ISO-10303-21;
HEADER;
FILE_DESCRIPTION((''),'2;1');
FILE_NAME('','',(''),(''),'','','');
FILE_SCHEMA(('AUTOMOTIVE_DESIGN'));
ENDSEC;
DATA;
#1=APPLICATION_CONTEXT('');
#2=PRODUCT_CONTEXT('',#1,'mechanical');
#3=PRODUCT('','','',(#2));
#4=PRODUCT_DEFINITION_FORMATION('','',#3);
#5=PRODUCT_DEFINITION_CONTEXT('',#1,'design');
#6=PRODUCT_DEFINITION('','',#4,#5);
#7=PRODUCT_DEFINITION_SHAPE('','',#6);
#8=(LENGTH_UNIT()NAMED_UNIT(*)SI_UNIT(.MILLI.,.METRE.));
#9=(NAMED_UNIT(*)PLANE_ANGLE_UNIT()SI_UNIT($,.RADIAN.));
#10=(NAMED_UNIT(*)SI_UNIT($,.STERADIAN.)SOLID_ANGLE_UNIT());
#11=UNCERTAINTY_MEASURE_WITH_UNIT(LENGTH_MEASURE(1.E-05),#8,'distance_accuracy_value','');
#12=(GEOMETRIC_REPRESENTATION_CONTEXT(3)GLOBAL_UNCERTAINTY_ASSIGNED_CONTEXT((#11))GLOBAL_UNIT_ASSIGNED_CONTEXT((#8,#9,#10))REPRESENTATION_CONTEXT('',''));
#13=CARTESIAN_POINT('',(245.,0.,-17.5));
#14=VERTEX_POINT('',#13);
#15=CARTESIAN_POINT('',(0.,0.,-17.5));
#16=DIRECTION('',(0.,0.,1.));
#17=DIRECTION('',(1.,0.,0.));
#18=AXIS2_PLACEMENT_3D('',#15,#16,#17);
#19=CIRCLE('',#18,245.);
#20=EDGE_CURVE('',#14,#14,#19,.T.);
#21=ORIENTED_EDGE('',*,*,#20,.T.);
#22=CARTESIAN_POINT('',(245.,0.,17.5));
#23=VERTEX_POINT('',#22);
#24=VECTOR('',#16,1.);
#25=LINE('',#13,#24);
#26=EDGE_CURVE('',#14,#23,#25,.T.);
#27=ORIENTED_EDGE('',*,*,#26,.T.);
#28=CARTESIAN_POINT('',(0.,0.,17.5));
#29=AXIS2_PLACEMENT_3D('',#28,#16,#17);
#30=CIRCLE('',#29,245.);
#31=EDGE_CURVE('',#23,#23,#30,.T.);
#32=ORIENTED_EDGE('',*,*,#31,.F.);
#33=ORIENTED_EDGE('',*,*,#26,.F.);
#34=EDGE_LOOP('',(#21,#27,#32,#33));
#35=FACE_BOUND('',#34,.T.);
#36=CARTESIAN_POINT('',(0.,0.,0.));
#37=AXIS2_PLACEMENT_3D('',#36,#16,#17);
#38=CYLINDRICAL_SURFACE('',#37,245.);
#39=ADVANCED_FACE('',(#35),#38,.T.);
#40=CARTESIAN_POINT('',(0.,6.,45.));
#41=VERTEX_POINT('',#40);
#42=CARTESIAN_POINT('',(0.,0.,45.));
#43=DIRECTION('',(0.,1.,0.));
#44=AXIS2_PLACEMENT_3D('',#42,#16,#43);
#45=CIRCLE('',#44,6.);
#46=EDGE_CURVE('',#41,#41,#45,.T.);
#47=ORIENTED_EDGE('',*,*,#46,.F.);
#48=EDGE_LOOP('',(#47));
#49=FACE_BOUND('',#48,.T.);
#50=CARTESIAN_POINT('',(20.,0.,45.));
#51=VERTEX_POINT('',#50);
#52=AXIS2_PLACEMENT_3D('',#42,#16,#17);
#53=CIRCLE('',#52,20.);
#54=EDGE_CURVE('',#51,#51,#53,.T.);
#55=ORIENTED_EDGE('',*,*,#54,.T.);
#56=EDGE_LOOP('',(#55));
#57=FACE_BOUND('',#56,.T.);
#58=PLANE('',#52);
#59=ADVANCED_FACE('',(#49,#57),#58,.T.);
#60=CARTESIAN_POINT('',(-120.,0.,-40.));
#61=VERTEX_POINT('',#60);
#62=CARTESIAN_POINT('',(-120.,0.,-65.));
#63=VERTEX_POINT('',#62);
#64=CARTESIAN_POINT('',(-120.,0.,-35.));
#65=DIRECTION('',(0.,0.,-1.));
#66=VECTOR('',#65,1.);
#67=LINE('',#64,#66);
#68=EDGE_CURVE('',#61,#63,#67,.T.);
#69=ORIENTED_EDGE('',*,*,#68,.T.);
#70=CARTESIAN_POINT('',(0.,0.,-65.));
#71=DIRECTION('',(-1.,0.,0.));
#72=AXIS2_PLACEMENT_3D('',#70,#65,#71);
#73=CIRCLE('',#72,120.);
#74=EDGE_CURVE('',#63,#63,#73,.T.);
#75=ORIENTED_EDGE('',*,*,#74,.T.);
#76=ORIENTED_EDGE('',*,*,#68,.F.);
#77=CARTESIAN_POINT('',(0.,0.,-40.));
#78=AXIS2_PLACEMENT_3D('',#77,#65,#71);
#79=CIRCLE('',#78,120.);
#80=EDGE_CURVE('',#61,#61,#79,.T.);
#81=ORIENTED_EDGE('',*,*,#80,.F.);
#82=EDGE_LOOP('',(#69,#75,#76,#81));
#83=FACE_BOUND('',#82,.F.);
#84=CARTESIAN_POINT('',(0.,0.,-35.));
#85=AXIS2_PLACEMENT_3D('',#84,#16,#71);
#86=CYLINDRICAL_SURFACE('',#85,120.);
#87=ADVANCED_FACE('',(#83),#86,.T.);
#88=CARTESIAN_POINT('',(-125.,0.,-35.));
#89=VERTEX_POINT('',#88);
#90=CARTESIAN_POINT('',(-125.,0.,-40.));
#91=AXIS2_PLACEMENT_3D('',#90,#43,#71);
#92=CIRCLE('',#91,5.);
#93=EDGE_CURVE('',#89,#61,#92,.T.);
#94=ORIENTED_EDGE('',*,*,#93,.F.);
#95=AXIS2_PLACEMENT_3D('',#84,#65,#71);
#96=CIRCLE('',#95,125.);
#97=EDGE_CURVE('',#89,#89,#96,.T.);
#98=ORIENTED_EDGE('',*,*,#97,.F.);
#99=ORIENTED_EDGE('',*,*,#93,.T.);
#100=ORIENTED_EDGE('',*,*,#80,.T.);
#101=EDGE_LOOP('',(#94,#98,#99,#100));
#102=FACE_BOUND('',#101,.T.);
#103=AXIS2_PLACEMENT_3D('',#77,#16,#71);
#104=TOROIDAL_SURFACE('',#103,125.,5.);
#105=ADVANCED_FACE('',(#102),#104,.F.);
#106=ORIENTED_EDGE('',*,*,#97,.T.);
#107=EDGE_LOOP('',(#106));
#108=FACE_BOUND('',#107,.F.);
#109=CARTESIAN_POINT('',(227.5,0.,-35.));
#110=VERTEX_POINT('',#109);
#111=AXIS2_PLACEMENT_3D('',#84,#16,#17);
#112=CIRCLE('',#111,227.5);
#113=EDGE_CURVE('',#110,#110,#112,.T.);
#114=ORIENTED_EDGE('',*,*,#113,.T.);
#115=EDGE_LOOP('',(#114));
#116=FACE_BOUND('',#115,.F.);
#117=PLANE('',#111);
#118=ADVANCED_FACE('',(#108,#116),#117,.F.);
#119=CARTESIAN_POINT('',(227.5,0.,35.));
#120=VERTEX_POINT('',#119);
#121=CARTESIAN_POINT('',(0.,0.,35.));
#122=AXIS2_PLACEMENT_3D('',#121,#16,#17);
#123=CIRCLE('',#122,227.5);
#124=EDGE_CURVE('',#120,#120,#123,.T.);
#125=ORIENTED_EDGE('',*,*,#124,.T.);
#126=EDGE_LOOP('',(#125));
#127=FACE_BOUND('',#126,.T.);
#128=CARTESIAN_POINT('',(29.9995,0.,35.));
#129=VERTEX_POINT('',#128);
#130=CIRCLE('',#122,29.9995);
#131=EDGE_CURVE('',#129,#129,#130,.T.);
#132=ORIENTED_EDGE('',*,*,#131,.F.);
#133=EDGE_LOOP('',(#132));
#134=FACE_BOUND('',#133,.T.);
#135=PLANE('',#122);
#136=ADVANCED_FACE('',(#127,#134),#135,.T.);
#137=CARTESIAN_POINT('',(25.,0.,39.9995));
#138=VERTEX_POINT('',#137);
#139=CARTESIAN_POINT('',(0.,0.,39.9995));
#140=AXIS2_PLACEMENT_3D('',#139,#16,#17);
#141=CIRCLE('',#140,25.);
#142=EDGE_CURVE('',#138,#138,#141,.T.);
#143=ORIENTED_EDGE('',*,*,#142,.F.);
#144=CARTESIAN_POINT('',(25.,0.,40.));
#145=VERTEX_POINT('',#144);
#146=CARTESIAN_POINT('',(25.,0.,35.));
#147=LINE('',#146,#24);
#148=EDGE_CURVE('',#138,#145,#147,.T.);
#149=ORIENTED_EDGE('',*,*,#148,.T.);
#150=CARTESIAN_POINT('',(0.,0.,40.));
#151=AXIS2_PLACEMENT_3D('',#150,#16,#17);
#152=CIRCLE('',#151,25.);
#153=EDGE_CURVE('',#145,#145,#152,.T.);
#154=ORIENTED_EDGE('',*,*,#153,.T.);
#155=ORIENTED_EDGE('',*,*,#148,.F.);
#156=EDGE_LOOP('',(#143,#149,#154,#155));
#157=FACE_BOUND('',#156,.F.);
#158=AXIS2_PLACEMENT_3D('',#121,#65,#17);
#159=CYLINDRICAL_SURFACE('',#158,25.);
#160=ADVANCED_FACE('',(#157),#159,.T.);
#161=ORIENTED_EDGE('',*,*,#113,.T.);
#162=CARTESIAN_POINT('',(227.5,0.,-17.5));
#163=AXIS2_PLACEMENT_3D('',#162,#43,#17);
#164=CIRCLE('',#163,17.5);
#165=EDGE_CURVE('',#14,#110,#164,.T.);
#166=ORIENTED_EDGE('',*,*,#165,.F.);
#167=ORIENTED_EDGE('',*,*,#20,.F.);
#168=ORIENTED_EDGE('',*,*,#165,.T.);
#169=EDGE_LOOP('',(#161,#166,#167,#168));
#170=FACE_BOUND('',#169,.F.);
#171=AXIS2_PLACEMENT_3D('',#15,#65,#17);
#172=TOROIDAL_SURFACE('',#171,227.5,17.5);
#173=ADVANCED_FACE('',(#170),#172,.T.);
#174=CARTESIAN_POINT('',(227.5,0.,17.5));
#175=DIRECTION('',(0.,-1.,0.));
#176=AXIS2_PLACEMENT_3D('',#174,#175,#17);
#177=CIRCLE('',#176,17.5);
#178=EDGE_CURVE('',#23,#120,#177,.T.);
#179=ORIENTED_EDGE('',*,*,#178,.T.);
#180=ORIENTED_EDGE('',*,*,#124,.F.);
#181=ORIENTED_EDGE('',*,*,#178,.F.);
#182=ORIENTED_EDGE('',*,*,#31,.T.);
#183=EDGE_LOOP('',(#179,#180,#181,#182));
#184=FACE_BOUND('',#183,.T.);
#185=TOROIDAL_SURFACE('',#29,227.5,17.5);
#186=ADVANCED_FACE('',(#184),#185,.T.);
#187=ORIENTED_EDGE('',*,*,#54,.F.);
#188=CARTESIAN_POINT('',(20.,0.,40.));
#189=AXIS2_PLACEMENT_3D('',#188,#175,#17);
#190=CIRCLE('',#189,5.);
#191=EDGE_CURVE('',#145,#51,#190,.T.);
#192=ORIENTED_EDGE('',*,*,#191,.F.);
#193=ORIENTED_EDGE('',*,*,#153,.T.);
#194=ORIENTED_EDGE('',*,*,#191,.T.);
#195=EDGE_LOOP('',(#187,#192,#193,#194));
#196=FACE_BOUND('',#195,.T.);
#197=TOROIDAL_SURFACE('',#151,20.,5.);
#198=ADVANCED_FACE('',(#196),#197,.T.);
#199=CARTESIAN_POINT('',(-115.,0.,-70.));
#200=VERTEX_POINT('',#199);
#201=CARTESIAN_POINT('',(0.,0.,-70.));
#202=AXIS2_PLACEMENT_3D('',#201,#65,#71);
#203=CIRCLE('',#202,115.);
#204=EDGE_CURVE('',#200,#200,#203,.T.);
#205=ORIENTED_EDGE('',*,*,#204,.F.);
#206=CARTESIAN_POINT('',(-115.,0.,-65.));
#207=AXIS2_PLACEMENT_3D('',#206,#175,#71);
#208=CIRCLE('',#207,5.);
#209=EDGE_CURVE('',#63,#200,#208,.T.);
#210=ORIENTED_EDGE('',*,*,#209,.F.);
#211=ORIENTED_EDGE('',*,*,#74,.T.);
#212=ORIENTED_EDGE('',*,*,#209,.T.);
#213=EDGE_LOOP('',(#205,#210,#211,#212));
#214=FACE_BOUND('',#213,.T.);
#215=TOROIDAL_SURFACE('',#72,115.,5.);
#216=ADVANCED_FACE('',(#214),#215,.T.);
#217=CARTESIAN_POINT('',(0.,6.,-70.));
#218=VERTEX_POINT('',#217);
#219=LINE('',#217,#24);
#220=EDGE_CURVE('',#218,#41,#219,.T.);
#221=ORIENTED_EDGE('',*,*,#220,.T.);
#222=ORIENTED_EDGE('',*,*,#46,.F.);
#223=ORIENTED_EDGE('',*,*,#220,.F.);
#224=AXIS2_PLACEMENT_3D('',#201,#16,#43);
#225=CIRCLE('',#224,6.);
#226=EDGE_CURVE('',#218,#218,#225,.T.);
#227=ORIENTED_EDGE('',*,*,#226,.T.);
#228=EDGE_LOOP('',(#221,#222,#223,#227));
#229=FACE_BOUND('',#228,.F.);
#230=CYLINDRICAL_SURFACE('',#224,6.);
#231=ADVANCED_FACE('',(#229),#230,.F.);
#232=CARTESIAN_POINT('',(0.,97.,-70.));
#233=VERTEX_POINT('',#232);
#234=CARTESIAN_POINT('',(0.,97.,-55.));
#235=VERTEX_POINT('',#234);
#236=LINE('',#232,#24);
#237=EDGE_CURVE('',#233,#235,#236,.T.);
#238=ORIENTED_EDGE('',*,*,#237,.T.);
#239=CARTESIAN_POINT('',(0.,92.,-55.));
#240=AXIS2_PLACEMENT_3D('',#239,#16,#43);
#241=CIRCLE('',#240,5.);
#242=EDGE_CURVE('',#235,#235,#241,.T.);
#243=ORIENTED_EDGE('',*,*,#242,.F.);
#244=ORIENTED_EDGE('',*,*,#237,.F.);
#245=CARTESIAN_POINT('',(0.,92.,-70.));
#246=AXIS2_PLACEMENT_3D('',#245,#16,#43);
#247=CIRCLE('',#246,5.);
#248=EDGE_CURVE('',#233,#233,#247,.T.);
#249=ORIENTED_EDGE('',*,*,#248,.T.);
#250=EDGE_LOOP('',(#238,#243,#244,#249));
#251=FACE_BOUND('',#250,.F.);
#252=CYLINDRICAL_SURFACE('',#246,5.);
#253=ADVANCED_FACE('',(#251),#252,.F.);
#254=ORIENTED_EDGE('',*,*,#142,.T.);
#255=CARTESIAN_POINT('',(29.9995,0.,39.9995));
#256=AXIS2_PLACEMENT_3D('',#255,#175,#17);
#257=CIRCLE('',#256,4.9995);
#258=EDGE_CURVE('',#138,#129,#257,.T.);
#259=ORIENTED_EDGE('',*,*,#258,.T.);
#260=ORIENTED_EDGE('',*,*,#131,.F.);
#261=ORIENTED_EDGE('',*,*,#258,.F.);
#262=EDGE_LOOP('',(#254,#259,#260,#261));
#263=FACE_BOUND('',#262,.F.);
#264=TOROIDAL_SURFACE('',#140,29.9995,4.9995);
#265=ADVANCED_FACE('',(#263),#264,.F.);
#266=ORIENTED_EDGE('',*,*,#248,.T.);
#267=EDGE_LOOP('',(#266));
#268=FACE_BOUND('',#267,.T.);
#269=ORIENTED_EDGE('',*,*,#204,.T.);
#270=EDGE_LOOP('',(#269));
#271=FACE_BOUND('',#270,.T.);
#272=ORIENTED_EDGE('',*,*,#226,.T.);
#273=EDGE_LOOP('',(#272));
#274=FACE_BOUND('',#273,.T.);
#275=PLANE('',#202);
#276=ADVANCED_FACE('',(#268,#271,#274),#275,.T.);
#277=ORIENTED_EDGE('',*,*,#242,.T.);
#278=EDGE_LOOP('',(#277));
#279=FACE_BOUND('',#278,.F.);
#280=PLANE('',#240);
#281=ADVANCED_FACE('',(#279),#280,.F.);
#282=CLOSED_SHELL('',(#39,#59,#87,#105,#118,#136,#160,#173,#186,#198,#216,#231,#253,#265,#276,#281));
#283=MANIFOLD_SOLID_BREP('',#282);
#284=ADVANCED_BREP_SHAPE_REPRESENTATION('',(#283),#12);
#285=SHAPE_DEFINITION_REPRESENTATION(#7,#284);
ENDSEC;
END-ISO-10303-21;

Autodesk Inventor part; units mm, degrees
ref_plane "YZ Plane" through (0, 0, 0) normal (1, 0, 0) x (0, 1, 0)
ref_plane "XZ Plane" through (0, 0, 0) normal (0, 1, 0) x (-1, 0, 0)
ref_plane "XY Plane" through (0, 0, 0) normal (0, 0, 1) x (1, 0, 0)
sketch "スケッチ1" plane through (0, 0, 0) normal (0, 0, 1) x (1, 0, 0)
  circle A0 centre (0, 0) radius 245
  dimension "d0" = 490
extrude "押し出し1" add sketch "スケッチ1" along normal mid plane 70
fillet "フィレット1" radius 17.5 2 edges at (-245, 0, 35) (-245, 0, -35)
sketch "スケッチ8" plane through (0, 0, 35) normal (0, 0, 1) x (1, 0, 0)
  circle A0 centre (0, 0) radius 25
  dimension "d11" = 50
extrude "押し出し2" add sketch "スケッチ8" along normal blind 10
sketch "スケッチ9" plane through (0, 0, -35) normal (0, 0, -1) x (-1, 0, 0)
  circle A0 centre (0, 0) radius 120
  dimension "d14" = 240
extrude "押し出し3" add sketch "スケッチ9" along normal blind 35
fillet "フィレット2" radius 5 1 edges at (-25, 0, 45)
fillet "フィレット3" radius 5 1 edges at (-25, 0, 35)
fillet "フィレット4" radius 5 2 edges at (120, 0, -70) (120, 0, -35)
sketch "スケッチ10" plane through (0, 0, -70) normal (0, 0, -1) x (-1, 0, 0)
  point P0 (0, 0)
  point P1 (0, 0)
hole "穴2" at (0, 0, -70) direction (0, 0, 1) diameter 12 end through all
sketch "スケッチ11" plane through (0, 0, -70) normal (0, 0, -1) x (-1, 0, 0)
  point P0 (0, 0)
  point P1 (0, 92)
  dimension "d28" = 92
hole "穴3" at (0, 92, -70) direction (0, 0, 1) diameter 10 depth 15
properties part number "前輪"
